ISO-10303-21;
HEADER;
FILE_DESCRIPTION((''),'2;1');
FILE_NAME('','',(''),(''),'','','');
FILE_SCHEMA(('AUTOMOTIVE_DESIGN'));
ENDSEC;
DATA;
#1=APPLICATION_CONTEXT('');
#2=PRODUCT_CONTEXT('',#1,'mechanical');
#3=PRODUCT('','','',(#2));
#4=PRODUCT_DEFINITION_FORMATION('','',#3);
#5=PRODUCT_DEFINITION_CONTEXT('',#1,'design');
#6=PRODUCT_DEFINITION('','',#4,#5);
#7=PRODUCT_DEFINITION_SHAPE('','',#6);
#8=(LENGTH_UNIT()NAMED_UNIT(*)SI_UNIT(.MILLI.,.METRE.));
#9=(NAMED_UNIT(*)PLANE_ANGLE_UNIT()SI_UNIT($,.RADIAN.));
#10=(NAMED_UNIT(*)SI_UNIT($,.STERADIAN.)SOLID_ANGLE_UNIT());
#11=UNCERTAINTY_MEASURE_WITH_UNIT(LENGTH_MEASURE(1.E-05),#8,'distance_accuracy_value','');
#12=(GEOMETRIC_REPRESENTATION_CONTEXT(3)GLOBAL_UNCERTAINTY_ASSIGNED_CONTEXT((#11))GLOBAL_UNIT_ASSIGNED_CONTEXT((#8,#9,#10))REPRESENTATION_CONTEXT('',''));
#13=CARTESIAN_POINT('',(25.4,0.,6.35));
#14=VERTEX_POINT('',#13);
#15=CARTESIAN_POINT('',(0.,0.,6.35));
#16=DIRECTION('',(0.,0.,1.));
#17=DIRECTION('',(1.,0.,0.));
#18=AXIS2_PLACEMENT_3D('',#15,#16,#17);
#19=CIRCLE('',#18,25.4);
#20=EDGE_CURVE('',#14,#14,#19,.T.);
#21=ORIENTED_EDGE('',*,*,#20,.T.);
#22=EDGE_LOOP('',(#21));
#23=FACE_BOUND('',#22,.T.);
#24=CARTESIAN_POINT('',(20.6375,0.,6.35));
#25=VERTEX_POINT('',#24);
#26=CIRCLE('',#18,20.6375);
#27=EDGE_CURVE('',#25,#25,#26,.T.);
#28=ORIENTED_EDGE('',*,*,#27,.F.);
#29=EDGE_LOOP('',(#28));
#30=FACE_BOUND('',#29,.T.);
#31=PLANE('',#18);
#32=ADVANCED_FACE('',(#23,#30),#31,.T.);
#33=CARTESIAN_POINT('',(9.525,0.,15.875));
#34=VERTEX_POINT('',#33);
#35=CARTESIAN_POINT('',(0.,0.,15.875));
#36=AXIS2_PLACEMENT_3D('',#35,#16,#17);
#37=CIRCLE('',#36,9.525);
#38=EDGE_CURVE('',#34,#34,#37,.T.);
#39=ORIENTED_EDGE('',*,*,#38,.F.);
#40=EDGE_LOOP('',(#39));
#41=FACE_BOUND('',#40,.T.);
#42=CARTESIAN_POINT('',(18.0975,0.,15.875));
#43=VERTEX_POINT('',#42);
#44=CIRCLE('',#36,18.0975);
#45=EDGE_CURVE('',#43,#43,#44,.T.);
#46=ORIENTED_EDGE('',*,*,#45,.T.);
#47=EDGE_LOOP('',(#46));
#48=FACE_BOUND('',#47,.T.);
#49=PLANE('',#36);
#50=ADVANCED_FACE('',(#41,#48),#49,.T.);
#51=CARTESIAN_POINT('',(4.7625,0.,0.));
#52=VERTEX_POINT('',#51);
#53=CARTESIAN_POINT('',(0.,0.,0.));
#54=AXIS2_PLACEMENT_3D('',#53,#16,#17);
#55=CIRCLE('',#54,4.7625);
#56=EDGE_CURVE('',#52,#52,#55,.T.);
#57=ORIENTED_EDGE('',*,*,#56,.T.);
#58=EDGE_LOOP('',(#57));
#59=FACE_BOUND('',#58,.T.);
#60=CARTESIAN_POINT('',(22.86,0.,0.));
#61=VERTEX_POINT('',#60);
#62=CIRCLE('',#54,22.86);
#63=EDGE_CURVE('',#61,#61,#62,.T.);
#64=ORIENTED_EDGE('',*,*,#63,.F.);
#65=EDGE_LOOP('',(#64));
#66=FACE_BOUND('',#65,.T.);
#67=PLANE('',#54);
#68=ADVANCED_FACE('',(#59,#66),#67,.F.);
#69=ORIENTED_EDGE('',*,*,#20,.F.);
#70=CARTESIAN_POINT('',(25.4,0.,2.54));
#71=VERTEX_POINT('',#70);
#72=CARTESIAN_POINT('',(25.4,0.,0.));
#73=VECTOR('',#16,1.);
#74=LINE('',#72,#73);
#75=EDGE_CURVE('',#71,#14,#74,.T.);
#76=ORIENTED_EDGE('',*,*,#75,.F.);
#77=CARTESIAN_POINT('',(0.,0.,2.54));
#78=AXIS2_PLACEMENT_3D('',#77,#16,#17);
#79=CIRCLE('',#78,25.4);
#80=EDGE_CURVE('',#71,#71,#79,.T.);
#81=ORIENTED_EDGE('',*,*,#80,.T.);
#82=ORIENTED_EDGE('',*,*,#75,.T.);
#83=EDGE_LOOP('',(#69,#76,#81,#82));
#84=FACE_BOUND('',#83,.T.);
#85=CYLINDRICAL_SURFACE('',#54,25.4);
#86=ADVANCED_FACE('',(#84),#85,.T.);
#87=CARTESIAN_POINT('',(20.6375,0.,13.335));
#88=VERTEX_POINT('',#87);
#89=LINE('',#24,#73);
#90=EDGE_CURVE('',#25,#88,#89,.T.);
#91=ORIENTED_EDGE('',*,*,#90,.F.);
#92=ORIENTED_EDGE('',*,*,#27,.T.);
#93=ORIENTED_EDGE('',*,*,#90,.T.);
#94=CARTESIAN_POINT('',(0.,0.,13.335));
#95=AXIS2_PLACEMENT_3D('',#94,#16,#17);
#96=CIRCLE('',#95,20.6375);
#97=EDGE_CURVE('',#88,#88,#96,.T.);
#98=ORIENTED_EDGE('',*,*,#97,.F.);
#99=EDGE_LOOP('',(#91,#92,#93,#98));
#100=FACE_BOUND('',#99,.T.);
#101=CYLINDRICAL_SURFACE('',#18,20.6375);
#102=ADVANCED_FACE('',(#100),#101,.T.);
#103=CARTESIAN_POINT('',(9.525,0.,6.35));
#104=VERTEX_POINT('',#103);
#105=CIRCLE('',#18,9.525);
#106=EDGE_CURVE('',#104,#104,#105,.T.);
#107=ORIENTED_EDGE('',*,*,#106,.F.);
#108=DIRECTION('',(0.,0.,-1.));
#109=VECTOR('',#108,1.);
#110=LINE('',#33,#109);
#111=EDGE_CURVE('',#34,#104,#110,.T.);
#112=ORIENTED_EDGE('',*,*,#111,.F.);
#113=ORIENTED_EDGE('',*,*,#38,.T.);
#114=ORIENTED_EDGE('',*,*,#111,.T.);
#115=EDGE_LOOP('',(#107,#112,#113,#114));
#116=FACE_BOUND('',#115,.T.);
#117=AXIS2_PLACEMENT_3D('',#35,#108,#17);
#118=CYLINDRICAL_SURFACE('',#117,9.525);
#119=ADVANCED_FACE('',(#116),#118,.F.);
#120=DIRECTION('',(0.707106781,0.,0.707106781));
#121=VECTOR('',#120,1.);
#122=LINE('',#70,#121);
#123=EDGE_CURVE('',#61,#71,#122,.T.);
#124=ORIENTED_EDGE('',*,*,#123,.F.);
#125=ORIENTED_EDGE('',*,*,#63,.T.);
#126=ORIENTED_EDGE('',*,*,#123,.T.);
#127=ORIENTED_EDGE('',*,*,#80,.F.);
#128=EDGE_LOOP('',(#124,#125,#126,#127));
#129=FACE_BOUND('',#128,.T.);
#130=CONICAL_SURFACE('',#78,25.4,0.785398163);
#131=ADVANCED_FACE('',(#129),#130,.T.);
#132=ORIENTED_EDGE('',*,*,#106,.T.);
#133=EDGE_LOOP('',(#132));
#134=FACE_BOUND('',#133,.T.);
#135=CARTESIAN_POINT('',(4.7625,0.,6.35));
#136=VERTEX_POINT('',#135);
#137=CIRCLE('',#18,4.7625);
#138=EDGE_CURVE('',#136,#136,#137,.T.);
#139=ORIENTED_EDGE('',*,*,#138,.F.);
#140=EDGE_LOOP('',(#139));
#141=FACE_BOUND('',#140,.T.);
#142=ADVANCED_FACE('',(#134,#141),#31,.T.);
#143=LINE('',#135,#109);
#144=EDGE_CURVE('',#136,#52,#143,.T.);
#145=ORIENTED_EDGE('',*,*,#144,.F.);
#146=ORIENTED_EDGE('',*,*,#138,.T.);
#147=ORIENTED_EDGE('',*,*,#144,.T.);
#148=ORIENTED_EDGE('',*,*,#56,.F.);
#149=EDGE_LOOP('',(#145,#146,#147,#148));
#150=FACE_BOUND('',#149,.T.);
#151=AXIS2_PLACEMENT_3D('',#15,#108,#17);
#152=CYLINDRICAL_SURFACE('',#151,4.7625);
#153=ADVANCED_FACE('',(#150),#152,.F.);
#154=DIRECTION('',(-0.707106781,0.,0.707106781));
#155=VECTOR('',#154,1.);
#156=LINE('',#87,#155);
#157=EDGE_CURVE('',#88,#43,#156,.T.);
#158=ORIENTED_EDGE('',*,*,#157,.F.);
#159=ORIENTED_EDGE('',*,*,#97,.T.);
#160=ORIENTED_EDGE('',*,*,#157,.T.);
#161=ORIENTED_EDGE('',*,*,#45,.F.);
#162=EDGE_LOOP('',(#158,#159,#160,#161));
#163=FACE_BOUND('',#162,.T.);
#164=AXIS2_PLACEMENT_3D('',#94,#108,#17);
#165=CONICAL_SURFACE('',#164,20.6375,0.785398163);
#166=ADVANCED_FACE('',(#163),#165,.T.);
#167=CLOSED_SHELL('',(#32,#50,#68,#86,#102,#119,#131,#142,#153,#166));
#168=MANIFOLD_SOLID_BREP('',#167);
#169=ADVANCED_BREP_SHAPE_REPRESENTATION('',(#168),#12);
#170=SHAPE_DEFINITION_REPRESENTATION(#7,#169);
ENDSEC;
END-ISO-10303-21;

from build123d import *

# Parameters (mm, degrees)
F2_SIZE2 = 2.54
F2_SIZE  = 2.54


with BuildPart() as f1:
    # F0 (on Front) → F1 (revolve)
    with BuildSketch(Plane.XZ):
        Polygon((4.7625, 0), (25.4, 0), (25.4, 6.35), (20.6375, 6.35), (20.6375, 15.875), (9.525, 15.875), (9.525, 6.35), (4.7625, 6.35), align=None)
    revolve(axis=Axis((0, 0, 16.889236), (0, 0, 1)))

    # F2
    f2_edges = [f1.edges().sort_by_distance(p)[0] for p in [
        (-20.6375, 0, 15.875),
        (-25.4, 0, 0),
    ]]
    chamfer(f2_edges, length=F2_SIZE, length2=F2_SIZE2)


solid = f1.part
